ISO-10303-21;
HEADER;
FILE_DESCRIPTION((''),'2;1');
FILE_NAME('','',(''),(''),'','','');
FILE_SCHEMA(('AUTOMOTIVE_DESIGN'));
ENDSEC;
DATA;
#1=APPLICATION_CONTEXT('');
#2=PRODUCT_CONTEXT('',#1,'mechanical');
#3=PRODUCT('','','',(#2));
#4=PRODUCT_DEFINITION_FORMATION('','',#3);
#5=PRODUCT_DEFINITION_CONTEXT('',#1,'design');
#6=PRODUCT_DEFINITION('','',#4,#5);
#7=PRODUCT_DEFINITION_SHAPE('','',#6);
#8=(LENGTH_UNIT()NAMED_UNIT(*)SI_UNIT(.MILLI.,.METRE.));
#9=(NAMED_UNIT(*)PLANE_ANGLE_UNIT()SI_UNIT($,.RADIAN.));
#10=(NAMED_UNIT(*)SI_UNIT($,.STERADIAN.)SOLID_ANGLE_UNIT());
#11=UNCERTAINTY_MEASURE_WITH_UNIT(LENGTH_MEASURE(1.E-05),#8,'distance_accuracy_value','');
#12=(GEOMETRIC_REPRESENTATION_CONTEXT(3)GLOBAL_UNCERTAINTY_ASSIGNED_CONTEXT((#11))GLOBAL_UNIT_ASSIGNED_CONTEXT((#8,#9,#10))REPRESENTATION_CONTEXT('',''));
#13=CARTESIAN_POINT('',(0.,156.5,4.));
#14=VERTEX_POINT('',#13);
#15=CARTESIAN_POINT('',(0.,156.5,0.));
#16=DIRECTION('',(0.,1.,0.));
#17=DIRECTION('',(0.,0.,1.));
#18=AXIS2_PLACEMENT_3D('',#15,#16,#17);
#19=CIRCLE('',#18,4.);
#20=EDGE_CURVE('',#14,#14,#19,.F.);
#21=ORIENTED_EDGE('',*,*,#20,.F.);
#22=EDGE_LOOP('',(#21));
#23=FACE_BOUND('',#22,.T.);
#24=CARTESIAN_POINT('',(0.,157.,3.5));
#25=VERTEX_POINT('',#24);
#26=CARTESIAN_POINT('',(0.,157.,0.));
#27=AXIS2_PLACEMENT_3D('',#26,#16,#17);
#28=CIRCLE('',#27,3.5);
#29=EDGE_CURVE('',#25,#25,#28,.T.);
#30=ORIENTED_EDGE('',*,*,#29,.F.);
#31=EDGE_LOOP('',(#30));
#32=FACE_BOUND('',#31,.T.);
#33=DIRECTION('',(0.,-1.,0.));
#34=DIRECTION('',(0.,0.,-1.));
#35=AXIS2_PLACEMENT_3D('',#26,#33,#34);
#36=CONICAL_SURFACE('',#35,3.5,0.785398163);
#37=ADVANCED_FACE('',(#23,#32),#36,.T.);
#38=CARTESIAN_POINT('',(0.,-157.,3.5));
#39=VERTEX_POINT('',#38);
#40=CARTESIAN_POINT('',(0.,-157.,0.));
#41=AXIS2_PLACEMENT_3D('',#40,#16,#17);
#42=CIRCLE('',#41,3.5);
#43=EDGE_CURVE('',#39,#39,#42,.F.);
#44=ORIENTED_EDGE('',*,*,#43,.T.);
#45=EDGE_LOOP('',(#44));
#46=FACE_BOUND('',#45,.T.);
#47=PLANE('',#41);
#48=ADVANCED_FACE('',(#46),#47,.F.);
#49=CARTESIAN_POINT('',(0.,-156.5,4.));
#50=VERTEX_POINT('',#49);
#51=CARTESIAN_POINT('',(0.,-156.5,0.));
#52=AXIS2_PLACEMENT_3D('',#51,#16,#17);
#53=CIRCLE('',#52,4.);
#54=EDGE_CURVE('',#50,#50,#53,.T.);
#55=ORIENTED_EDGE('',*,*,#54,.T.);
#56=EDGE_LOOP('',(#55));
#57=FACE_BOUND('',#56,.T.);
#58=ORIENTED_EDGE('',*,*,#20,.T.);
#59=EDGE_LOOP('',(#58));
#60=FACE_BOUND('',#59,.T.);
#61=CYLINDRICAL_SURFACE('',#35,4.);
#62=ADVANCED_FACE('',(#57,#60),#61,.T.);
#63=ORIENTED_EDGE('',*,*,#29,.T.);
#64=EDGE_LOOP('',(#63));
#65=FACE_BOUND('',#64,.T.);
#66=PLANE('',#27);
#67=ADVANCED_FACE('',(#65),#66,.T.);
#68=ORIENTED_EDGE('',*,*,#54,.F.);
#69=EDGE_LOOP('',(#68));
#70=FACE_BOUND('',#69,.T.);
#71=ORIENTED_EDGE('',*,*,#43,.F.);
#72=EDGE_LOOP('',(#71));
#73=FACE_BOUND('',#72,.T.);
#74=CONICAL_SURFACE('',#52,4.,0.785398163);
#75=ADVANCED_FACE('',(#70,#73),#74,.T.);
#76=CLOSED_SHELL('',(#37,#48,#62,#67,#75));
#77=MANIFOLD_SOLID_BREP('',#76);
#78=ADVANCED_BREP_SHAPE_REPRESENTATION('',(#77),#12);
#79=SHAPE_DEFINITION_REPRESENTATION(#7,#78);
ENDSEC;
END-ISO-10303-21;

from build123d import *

# Parameters (mm, degrees)
SKETCH1_R           = 4
BOSS_EXTRUDE1_DEPTH = 157
CHAMFER1_SIZE       = 0.5


with BuildPart() as part:
    # Sketch1 → Boss-Extrude1 (new body, symmetric)
    with BuildSketch(Plane(origin=(0, 0, 0), x_dir=(1, 0, 0), z_dir=(0, 1, 0))):
        Circle(SKETCH1_R)
    extrude(amount=BOSS_EXTRUDE1_DEPTH, both=True)

    # Chamfer1
    chamfer1_edges = [part.edges().sort_by_distance(p)[0] for p in [
        (-4, -157, 0),
        (-4, 157, 0),
    ]]
    chamfer(chamfer1_edges, length=CHAMFER1_SIZE)


solid = part.part
